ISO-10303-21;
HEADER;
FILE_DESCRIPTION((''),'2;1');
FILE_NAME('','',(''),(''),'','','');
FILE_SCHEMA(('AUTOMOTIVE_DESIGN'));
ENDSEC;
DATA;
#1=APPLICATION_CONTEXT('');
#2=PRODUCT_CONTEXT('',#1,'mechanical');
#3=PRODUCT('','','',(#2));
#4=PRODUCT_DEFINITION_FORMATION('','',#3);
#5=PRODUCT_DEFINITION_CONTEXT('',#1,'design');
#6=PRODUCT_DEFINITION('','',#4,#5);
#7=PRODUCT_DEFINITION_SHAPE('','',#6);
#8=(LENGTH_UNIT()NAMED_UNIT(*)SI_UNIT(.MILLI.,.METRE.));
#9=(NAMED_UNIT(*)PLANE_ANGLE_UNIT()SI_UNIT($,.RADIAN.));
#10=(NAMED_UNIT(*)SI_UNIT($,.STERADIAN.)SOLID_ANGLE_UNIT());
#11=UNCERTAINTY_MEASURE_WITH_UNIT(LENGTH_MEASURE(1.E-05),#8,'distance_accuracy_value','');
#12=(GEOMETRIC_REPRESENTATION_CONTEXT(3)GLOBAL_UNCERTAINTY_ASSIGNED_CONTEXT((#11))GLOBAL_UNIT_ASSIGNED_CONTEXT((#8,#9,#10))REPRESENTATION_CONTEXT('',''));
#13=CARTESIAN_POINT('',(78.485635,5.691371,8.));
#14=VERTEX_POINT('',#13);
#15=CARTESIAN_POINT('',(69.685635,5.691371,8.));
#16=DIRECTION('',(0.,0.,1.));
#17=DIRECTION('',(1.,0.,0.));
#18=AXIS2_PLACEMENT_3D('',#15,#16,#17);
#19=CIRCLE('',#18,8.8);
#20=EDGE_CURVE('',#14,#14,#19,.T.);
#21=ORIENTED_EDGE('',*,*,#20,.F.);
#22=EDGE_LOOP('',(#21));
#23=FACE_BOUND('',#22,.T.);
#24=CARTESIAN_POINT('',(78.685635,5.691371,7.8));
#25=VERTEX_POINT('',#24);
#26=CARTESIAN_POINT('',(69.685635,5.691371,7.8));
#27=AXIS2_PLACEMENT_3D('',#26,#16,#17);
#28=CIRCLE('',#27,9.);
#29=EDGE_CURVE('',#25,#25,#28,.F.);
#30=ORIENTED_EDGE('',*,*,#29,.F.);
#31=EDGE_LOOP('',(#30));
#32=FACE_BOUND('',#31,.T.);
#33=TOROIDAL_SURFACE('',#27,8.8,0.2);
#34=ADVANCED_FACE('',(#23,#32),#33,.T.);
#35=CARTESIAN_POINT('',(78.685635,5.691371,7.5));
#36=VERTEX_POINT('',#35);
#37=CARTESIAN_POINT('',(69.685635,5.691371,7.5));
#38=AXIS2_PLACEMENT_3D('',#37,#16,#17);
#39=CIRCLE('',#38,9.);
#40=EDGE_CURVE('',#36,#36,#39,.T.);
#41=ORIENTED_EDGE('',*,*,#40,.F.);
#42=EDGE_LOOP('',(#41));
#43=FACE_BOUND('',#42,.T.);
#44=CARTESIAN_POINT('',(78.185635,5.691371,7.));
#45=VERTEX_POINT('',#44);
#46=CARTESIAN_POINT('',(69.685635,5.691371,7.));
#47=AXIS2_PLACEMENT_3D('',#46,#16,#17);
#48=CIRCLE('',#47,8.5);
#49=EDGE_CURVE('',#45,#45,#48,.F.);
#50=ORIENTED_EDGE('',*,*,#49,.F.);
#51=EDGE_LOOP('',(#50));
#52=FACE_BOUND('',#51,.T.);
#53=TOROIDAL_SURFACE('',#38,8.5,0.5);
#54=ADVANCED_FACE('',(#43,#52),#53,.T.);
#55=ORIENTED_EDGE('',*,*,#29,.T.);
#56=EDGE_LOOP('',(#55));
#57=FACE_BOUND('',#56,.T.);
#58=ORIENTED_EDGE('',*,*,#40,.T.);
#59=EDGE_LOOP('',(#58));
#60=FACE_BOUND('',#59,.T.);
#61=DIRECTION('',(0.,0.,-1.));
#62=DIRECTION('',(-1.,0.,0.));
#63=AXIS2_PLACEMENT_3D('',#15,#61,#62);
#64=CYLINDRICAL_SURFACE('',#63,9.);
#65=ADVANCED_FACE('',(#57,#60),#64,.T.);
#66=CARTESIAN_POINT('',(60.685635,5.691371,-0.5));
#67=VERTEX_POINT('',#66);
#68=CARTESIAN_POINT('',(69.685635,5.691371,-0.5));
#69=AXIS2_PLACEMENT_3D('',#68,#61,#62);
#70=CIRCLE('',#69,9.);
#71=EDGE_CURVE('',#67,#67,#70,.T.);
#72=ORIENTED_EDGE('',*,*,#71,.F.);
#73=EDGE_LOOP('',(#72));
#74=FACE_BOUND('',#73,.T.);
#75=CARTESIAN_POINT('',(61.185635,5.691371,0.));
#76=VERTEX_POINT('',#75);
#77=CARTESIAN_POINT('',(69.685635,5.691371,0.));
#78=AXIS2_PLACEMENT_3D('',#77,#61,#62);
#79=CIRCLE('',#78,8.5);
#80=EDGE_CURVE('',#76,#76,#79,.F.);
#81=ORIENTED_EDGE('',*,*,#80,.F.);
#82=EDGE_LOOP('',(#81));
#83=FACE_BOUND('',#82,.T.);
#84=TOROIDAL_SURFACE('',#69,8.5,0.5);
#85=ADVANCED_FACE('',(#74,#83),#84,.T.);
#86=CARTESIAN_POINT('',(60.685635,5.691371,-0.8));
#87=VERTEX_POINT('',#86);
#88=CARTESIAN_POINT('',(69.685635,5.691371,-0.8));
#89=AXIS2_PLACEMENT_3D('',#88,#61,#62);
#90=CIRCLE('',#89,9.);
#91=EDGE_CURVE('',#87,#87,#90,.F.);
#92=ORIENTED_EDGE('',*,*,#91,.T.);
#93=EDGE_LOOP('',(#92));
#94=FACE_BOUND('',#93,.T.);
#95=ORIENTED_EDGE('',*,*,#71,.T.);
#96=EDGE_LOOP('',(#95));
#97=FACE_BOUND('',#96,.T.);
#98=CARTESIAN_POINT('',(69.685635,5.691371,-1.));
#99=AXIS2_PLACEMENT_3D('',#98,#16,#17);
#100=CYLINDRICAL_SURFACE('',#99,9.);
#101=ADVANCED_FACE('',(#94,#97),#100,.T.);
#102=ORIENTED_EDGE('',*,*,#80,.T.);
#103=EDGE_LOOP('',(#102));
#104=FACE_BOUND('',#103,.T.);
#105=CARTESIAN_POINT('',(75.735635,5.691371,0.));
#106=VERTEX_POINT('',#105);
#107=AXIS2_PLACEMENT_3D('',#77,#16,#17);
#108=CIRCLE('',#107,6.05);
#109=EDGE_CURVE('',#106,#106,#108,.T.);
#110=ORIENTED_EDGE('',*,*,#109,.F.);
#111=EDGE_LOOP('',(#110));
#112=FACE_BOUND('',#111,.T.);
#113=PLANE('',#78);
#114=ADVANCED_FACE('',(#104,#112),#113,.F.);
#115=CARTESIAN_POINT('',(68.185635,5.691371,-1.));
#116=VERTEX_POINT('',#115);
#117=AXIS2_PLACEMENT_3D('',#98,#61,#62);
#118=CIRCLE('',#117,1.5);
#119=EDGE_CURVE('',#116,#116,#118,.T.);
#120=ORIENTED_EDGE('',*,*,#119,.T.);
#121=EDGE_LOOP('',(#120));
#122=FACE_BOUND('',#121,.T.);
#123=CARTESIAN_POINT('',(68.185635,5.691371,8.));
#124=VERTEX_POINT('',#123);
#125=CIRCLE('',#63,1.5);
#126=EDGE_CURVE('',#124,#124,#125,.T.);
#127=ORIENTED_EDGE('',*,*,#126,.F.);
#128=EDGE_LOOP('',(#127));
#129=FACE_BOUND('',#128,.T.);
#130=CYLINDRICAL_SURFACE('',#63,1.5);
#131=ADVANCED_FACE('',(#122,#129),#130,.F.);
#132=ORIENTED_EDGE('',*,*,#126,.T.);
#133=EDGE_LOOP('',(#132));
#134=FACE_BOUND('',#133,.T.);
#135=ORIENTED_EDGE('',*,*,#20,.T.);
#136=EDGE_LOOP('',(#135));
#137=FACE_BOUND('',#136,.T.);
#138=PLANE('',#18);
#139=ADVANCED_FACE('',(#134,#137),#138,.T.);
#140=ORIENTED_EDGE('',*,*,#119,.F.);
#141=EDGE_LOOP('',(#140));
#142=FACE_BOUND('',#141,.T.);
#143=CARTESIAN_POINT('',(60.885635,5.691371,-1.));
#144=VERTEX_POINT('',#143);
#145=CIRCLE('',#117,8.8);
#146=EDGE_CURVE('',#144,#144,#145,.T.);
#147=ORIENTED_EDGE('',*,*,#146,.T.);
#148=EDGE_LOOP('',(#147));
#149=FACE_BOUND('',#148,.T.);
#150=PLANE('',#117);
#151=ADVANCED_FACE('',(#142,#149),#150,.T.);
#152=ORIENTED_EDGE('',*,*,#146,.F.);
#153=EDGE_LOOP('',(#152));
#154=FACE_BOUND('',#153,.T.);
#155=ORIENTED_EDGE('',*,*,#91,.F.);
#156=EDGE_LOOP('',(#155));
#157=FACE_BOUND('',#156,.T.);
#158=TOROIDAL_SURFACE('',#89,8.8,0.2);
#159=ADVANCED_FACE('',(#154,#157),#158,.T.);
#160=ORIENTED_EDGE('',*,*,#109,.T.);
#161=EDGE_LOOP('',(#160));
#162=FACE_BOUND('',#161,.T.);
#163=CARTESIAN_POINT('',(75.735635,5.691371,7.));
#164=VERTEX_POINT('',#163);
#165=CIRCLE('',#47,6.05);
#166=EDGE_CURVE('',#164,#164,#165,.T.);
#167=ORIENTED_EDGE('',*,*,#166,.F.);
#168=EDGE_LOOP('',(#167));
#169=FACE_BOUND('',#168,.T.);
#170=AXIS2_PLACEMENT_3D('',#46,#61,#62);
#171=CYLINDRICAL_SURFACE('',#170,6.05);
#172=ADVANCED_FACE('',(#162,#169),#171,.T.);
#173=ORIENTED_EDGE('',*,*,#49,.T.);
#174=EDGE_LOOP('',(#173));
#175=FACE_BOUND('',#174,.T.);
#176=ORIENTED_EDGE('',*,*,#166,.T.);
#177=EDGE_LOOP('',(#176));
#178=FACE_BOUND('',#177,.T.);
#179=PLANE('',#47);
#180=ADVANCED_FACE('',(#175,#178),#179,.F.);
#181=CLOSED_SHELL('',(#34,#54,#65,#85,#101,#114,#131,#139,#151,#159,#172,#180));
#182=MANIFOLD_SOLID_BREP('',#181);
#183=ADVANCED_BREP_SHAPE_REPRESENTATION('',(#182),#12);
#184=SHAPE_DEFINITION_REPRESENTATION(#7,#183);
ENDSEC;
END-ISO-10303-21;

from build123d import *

# Parameters (mm, degrees)
SKETCH1_R           = 6.05
BOSS_EXTRUDE1_DEPTH = 7
SKETCH4_R           = 9
BOSS_EXTRUDE2_DEPTH = 1
BOSS_EXTRUDE3_START = 1
SKETCH6_R           = 9
BOSS_EXTRUDE3_DEPTH = 1
FILLET1_R           = 0.5
FILLET2_R           = 0.5
FILLET3_R           = 0.2
FILLET4_R           = 0.2
SKETCH11_R          = 1.5
CUT_EXTRUDE1_DEPTH  = 81.5497711


with BuildPart() as part:
    # Sketch1 → Boss-Extrude1 (new body)
    with BuildSketch(Plane.XY):
        with Locations((69.685635463, 5.691370847)):
            Circle(SKETCH1_R)
    extrude(amount=BOSS_EXTRUDE1_DEPTH)

    # Sketch4 → Boss-Extrude2 (add)
    with BuildSketch(Plane.XY.offset(7)):
        with Locations((69.685635463, 5.691370847)):
            Circle(SKETCH4_R)
    extrude(amount=BOSS_EXTRUDE2_DEPTH)

    # Sketch6 → Boss-Extrude3 (add)
    with BuildSketch(Plane(origin=(0, 0, 0), x_dir=(-1, 0, 0), z_dir=(0, 0, -1)).offset(BOSS_EXTRUDE3_START)):
        with Locations(Location((-69.685635463, 5.691370847, 0), (0, 0, 180))):
            Circle(SKETCH6_R)
    extrude(amount=-BOSS_EXTRUDE3_DEPTH)

    # Fillet1
    fillet1_edges = [part.edges().sort_by_distance(p)[0] for p in [
        (60.685635463, 5.691370847, 0),
    ]]
    fillet(fillet1_edges, radius=FILLET1_R)

    # Fillet2
    fillet2_edges = [part.edges().sort_by_distance(p)[0] for p in [
        (60.685635463, 5.691370847, 7),
    ]]
    fillet(fillet2_edges, radius=FILLET2_R)

    # Fillet3
    fillet3_edges = [part.edges().sort_by_distance(p)[0] for p in [
        (60.685635463, 5.691370847, 8),
    ]]
    fillet(fillet3_edges, radius=FILLET3_R)

    # Fillet4
    fillet4_edges = [part.edges().sort_by_distance(p)[0] for p in [
        (60.685635463, 5.691370847, -1),
    ]]
    fillet(fillet4_edges, radius=FILLET4_R)

    # Sketch11 → Cut-Extrude1 (cut, through all)
    with BuildSketch(Plane(origin=(0, 0, -1), x_dir=(-1, 0, 0), z_dir=(0, 0, -1))):
        with Locations((-69.685635463, 5.691370847)):
            Circle(SKETCH11_R)
    extrude(amount=-CUT_EXTRUDE1_DEPTH, mode=Mode.SUBTRACT)


solid = part.part
